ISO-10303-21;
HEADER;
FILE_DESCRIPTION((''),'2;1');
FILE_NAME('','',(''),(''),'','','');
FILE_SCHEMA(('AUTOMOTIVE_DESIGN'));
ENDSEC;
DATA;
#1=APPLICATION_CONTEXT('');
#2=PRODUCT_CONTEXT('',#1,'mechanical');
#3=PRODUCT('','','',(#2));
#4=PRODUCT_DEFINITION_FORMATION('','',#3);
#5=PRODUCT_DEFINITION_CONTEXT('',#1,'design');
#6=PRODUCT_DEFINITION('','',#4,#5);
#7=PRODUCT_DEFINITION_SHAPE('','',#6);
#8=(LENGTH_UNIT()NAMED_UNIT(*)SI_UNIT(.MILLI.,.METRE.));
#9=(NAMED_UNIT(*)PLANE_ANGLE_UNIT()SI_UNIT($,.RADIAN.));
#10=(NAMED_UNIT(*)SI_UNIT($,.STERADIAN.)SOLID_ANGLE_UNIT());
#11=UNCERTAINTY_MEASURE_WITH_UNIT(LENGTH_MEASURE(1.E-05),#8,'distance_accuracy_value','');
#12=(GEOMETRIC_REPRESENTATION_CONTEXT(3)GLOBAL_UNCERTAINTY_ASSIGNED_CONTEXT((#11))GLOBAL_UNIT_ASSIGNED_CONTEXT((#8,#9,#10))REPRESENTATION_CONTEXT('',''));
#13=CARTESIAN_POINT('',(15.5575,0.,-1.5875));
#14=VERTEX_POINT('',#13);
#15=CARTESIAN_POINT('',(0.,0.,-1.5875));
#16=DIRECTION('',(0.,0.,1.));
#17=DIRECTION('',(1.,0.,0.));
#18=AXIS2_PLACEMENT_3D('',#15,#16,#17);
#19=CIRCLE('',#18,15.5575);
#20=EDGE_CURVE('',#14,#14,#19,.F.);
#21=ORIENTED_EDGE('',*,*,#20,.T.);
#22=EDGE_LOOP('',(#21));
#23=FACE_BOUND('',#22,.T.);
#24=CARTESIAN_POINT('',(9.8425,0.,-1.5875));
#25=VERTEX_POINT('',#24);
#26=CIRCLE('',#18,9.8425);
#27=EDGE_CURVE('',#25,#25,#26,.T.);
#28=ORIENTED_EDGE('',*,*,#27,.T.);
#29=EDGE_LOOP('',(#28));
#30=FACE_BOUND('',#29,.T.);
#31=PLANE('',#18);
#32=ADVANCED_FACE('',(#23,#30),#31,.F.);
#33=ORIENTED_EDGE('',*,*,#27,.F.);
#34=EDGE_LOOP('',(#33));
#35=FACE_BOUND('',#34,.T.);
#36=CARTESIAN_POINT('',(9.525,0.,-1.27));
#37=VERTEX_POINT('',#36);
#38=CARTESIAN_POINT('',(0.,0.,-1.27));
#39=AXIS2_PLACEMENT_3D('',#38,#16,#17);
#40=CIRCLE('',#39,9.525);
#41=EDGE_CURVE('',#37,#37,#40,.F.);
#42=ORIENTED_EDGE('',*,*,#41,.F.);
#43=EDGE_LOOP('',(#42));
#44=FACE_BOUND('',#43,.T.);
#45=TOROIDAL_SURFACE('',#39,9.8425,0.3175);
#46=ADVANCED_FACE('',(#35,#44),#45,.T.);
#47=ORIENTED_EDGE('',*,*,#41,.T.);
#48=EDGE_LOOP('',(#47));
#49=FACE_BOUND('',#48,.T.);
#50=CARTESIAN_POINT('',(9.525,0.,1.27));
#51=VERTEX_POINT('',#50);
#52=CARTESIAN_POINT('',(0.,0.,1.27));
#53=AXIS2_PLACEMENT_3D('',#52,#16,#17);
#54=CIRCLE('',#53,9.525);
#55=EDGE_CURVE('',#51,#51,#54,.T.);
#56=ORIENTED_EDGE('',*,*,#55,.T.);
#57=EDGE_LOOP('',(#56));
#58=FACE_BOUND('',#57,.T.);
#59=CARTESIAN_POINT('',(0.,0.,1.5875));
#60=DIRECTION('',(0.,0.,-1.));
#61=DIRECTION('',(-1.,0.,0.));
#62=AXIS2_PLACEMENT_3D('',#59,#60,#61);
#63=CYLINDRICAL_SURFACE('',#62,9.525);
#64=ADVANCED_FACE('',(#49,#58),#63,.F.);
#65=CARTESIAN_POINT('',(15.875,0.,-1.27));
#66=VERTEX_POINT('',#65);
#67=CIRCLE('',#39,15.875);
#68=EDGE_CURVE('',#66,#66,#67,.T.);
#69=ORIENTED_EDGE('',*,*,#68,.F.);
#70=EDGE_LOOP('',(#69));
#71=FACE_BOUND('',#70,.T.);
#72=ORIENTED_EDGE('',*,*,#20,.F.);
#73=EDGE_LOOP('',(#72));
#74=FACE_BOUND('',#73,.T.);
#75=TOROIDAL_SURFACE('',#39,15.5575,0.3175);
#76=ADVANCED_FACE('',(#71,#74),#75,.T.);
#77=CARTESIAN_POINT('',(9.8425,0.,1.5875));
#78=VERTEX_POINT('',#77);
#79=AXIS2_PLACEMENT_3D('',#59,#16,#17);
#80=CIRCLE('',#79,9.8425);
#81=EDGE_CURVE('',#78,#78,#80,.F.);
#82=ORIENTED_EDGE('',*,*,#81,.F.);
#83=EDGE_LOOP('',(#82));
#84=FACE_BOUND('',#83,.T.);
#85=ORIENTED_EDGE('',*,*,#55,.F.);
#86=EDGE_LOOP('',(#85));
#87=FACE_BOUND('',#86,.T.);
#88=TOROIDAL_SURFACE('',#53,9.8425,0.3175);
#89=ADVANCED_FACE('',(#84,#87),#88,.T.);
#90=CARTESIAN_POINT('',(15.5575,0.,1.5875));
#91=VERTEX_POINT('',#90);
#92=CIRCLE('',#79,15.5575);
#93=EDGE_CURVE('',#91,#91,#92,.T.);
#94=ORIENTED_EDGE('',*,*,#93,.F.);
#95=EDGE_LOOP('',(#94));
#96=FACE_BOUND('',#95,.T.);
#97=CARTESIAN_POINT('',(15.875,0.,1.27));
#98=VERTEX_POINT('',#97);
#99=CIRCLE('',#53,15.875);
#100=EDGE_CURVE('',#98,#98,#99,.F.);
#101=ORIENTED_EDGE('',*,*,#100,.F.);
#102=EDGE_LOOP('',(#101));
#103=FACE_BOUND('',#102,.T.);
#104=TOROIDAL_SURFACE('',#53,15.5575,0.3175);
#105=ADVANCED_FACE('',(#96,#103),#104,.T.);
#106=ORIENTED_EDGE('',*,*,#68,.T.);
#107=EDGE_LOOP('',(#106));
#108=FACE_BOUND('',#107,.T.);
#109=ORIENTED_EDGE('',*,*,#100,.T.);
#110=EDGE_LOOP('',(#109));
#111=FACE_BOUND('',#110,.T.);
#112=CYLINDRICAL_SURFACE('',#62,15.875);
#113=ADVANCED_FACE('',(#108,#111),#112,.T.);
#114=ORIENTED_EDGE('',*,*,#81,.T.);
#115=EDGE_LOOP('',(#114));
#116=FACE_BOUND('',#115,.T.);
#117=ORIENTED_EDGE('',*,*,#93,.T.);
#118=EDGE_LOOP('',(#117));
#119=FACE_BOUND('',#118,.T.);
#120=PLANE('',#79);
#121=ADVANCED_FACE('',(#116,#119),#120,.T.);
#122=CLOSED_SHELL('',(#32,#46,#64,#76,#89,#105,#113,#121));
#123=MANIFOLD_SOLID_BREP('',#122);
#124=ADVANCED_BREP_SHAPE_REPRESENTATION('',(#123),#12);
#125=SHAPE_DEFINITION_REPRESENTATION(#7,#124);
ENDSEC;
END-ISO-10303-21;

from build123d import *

# Parameters (mm, degrees)
BOSS_EXTRUDE1_DEPTH      = 1.5875
BOSS_EXTRUDE1_DEPTH_BACK = 1.5875
SKETCH3_R                = 15.875
SKETCH3_R_2              = 9.525
FILLET1_R                = 0.3175


with BuildPart() as part:
    # Sketch3 → Boss-Extrude1 (new, two sides: drawn at the far end of the back side and taken through both)
    with BuildSketch(Plane.XY.offset(-BOSS_EXTRUDE1_DEPTH_BACK)):
        Circle(SKETCH3_R)
        Circle(SKETCH3_R_2, mode=Mode.SUBTRACT)
    extrude(amount=BOSS_EXTRUDE1_DEPTH + BOSS_EXTRUDE1_DEPTH_BACK)

    # Fillet1
    fillet1_edges = [part.edges().sort_by_distance(p)[0] for p in [
        (-15.875, 0, 1.5875),
        (-9.525, 0, 1.5875),
        (-15.875, 0, -1.5875),
        (-9.525, 0, -1.5875),
    ]]
    fillet(fillet1_edges, radius=FILLET1_R)


solid = part.part
